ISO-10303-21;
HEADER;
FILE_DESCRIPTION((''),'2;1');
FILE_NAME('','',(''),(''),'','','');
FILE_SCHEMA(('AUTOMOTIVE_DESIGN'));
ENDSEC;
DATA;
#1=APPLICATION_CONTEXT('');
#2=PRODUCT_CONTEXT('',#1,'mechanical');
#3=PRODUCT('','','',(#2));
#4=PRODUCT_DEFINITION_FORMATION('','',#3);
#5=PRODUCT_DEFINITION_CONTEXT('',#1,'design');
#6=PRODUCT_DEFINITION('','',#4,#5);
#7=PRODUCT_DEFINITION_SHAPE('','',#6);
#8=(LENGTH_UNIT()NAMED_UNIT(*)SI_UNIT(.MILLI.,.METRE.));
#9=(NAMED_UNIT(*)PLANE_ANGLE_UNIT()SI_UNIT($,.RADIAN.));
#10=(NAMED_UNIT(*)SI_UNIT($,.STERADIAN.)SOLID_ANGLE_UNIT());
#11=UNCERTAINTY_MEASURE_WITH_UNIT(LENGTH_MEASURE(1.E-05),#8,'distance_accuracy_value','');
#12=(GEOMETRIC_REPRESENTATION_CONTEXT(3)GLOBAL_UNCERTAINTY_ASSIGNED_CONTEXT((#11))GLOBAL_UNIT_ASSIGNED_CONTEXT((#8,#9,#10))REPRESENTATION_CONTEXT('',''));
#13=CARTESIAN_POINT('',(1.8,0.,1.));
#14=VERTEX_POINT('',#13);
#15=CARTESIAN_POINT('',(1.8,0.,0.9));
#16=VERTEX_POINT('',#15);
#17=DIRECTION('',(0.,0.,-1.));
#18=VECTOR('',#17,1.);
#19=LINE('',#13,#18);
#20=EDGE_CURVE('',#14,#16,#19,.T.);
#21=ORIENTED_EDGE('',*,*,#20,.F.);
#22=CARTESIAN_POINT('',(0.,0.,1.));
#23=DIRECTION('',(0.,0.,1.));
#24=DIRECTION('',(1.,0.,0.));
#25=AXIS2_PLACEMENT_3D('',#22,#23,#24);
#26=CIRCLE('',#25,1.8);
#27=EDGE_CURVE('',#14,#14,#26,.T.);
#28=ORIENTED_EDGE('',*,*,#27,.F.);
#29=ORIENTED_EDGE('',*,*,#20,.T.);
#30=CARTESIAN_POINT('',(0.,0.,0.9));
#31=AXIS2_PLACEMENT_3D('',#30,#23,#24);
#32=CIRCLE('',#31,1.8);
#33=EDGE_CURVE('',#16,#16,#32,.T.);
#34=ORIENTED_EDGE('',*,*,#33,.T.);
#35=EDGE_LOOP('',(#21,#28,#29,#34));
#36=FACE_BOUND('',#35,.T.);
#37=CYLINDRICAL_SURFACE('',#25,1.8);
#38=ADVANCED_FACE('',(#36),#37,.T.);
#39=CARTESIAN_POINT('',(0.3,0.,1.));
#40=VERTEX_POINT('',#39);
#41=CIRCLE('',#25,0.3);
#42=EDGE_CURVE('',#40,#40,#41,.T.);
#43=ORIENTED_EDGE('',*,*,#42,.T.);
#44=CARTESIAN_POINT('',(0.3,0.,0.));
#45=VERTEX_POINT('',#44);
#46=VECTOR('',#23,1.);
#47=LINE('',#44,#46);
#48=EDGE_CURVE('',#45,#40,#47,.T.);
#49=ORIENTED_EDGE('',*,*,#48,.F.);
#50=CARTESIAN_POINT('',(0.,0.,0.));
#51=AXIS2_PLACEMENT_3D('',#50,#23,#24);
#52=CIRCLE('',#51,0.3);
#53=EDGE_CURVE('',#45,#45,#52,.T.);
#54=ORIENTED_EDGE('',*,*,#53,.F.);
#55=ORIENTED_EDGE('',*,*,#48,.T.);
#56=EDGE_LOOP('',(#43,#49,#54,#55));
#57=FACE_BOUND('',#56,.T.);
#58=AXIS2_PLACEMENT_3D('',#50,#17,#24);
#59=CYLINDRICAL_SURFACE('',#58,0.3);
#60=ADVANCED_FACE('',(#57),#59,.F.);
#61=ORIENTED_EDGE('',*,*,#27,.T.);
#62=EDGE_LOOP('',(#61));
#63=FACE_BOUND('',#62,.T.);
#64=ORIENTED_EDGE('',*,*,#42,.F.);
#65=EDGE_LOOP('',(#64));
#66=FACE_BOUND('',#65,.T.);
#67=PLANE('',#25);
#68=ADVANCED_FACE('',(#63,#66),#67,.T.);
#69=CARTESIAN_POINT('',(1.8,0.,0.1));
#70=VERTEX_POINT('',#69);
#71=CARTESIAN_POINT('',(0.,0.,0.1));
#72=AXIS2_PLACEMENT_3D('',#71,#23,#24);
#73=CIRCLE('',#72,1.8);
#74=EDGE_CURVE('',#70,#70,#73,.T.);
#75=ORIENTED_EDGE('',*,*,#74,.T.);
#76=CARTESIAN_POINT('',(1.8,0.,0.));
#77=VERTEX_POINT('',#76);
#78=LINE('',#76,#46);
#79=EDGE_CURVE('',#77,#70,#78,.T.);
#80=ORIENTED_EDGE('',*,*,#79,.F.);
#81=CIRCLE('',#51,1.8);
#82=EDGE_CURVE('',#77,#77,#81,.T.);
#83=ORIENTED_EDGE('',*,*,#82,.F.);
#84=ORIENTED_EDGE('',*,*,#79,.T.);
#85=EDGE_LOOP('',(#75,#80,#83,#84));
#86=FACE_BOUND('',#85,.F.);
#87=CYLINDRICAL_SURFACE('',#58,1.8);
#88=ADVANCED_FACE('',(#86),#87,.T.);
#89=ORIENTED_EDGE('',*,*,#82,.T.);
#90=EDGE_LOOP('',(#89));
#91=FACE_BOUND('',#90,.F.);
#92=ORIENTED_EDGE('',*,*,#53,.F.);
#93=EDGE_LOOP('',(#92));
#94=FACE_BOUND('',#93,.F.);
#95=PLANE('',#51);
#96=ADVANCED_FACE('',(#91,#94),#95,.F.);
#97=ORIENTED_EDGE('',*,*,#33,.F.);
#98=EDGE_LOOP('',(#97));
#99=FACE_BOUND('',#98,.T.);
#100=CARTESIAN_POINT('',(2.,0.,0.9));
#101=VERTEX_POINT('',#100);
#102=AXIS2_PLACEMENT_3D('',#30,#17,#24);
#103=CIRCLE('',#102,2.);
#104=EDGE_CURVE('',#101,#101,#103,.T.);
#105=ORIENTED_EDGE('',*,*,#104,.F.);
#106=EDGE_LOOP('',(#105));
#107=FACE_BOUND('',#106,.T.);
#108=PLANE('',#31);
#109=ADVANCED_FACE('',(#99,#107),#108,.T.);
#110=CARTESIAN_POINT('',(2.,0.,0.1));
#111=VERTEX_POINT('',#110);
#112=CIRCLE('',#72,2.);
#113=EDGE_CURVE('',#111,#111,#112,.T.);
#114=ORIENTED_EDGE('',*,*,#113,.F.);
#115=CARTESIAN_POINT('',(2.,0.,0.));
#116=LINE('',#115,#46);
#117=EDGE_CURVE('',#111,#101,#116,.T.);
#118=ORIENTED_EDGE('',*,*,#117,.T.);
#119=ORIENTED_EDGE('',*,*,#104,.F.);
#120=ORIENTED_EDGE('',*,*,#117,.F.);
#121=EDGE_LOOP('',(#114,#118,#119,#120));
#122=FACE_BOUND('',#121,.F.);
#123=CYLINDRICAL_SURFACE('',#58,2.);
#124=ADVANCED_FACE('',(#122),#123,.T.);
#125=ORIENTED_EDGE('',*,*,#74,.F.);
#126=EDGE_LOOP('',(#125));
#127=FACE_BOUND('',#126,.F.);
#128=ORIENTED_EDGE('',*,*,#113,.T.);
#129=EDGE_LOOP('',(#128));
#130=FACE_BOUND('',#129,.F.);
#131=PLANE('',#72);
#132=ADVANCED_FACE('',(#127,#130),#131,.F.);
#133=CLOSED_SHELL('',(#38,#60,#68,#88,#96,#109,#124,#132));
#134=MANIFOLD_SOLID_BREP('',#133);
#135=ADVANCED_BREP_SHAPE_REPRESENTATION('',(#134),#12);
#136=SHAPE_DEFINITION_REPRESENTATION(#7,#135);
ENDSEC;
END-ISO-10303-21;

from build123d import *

# Parameters (mm, degrees)
F0_R     = 2
F0_R_2   = 0.3
F1_DEPTH = 1
F2_R     = 2.010367
F2_R_2   = 1.8
F3_DEPTH = 0.1
F4_R     = 2
F4_R_2   = 1.8
F5_DEPTH = 0.1


with BuildPart() as f1:
    # F0 (on Top) → F1 (new body)
    with BuildSketch(Plane.XY):
        Circle(F0_R)
        Circle(F0_R_2, mode=Mode.SUBTRACT)
    extrude(amount=F1_DEPTH)

    # F2 (on face) → F3 (cut)
    with BuildSketch(Plane.XY.offset(1)):
        Circle(F2_R)
        Circle(F2_R_2, mode=Mode.SUBTRACT)
    extrude(amount=-F3_DEPTH, mode=Mode.SUBTRACT)

    # F4 (on face) → F5 (cut)
    with BuildSketch(Plane.XY):
        Circle(F4_R)
        Circle(F4_R_2, mode=Mode.SUBTRACT)
    extrude(amount=F5_DEPTH, mode=Mode.SUBTRACT)


solid = f1.part
